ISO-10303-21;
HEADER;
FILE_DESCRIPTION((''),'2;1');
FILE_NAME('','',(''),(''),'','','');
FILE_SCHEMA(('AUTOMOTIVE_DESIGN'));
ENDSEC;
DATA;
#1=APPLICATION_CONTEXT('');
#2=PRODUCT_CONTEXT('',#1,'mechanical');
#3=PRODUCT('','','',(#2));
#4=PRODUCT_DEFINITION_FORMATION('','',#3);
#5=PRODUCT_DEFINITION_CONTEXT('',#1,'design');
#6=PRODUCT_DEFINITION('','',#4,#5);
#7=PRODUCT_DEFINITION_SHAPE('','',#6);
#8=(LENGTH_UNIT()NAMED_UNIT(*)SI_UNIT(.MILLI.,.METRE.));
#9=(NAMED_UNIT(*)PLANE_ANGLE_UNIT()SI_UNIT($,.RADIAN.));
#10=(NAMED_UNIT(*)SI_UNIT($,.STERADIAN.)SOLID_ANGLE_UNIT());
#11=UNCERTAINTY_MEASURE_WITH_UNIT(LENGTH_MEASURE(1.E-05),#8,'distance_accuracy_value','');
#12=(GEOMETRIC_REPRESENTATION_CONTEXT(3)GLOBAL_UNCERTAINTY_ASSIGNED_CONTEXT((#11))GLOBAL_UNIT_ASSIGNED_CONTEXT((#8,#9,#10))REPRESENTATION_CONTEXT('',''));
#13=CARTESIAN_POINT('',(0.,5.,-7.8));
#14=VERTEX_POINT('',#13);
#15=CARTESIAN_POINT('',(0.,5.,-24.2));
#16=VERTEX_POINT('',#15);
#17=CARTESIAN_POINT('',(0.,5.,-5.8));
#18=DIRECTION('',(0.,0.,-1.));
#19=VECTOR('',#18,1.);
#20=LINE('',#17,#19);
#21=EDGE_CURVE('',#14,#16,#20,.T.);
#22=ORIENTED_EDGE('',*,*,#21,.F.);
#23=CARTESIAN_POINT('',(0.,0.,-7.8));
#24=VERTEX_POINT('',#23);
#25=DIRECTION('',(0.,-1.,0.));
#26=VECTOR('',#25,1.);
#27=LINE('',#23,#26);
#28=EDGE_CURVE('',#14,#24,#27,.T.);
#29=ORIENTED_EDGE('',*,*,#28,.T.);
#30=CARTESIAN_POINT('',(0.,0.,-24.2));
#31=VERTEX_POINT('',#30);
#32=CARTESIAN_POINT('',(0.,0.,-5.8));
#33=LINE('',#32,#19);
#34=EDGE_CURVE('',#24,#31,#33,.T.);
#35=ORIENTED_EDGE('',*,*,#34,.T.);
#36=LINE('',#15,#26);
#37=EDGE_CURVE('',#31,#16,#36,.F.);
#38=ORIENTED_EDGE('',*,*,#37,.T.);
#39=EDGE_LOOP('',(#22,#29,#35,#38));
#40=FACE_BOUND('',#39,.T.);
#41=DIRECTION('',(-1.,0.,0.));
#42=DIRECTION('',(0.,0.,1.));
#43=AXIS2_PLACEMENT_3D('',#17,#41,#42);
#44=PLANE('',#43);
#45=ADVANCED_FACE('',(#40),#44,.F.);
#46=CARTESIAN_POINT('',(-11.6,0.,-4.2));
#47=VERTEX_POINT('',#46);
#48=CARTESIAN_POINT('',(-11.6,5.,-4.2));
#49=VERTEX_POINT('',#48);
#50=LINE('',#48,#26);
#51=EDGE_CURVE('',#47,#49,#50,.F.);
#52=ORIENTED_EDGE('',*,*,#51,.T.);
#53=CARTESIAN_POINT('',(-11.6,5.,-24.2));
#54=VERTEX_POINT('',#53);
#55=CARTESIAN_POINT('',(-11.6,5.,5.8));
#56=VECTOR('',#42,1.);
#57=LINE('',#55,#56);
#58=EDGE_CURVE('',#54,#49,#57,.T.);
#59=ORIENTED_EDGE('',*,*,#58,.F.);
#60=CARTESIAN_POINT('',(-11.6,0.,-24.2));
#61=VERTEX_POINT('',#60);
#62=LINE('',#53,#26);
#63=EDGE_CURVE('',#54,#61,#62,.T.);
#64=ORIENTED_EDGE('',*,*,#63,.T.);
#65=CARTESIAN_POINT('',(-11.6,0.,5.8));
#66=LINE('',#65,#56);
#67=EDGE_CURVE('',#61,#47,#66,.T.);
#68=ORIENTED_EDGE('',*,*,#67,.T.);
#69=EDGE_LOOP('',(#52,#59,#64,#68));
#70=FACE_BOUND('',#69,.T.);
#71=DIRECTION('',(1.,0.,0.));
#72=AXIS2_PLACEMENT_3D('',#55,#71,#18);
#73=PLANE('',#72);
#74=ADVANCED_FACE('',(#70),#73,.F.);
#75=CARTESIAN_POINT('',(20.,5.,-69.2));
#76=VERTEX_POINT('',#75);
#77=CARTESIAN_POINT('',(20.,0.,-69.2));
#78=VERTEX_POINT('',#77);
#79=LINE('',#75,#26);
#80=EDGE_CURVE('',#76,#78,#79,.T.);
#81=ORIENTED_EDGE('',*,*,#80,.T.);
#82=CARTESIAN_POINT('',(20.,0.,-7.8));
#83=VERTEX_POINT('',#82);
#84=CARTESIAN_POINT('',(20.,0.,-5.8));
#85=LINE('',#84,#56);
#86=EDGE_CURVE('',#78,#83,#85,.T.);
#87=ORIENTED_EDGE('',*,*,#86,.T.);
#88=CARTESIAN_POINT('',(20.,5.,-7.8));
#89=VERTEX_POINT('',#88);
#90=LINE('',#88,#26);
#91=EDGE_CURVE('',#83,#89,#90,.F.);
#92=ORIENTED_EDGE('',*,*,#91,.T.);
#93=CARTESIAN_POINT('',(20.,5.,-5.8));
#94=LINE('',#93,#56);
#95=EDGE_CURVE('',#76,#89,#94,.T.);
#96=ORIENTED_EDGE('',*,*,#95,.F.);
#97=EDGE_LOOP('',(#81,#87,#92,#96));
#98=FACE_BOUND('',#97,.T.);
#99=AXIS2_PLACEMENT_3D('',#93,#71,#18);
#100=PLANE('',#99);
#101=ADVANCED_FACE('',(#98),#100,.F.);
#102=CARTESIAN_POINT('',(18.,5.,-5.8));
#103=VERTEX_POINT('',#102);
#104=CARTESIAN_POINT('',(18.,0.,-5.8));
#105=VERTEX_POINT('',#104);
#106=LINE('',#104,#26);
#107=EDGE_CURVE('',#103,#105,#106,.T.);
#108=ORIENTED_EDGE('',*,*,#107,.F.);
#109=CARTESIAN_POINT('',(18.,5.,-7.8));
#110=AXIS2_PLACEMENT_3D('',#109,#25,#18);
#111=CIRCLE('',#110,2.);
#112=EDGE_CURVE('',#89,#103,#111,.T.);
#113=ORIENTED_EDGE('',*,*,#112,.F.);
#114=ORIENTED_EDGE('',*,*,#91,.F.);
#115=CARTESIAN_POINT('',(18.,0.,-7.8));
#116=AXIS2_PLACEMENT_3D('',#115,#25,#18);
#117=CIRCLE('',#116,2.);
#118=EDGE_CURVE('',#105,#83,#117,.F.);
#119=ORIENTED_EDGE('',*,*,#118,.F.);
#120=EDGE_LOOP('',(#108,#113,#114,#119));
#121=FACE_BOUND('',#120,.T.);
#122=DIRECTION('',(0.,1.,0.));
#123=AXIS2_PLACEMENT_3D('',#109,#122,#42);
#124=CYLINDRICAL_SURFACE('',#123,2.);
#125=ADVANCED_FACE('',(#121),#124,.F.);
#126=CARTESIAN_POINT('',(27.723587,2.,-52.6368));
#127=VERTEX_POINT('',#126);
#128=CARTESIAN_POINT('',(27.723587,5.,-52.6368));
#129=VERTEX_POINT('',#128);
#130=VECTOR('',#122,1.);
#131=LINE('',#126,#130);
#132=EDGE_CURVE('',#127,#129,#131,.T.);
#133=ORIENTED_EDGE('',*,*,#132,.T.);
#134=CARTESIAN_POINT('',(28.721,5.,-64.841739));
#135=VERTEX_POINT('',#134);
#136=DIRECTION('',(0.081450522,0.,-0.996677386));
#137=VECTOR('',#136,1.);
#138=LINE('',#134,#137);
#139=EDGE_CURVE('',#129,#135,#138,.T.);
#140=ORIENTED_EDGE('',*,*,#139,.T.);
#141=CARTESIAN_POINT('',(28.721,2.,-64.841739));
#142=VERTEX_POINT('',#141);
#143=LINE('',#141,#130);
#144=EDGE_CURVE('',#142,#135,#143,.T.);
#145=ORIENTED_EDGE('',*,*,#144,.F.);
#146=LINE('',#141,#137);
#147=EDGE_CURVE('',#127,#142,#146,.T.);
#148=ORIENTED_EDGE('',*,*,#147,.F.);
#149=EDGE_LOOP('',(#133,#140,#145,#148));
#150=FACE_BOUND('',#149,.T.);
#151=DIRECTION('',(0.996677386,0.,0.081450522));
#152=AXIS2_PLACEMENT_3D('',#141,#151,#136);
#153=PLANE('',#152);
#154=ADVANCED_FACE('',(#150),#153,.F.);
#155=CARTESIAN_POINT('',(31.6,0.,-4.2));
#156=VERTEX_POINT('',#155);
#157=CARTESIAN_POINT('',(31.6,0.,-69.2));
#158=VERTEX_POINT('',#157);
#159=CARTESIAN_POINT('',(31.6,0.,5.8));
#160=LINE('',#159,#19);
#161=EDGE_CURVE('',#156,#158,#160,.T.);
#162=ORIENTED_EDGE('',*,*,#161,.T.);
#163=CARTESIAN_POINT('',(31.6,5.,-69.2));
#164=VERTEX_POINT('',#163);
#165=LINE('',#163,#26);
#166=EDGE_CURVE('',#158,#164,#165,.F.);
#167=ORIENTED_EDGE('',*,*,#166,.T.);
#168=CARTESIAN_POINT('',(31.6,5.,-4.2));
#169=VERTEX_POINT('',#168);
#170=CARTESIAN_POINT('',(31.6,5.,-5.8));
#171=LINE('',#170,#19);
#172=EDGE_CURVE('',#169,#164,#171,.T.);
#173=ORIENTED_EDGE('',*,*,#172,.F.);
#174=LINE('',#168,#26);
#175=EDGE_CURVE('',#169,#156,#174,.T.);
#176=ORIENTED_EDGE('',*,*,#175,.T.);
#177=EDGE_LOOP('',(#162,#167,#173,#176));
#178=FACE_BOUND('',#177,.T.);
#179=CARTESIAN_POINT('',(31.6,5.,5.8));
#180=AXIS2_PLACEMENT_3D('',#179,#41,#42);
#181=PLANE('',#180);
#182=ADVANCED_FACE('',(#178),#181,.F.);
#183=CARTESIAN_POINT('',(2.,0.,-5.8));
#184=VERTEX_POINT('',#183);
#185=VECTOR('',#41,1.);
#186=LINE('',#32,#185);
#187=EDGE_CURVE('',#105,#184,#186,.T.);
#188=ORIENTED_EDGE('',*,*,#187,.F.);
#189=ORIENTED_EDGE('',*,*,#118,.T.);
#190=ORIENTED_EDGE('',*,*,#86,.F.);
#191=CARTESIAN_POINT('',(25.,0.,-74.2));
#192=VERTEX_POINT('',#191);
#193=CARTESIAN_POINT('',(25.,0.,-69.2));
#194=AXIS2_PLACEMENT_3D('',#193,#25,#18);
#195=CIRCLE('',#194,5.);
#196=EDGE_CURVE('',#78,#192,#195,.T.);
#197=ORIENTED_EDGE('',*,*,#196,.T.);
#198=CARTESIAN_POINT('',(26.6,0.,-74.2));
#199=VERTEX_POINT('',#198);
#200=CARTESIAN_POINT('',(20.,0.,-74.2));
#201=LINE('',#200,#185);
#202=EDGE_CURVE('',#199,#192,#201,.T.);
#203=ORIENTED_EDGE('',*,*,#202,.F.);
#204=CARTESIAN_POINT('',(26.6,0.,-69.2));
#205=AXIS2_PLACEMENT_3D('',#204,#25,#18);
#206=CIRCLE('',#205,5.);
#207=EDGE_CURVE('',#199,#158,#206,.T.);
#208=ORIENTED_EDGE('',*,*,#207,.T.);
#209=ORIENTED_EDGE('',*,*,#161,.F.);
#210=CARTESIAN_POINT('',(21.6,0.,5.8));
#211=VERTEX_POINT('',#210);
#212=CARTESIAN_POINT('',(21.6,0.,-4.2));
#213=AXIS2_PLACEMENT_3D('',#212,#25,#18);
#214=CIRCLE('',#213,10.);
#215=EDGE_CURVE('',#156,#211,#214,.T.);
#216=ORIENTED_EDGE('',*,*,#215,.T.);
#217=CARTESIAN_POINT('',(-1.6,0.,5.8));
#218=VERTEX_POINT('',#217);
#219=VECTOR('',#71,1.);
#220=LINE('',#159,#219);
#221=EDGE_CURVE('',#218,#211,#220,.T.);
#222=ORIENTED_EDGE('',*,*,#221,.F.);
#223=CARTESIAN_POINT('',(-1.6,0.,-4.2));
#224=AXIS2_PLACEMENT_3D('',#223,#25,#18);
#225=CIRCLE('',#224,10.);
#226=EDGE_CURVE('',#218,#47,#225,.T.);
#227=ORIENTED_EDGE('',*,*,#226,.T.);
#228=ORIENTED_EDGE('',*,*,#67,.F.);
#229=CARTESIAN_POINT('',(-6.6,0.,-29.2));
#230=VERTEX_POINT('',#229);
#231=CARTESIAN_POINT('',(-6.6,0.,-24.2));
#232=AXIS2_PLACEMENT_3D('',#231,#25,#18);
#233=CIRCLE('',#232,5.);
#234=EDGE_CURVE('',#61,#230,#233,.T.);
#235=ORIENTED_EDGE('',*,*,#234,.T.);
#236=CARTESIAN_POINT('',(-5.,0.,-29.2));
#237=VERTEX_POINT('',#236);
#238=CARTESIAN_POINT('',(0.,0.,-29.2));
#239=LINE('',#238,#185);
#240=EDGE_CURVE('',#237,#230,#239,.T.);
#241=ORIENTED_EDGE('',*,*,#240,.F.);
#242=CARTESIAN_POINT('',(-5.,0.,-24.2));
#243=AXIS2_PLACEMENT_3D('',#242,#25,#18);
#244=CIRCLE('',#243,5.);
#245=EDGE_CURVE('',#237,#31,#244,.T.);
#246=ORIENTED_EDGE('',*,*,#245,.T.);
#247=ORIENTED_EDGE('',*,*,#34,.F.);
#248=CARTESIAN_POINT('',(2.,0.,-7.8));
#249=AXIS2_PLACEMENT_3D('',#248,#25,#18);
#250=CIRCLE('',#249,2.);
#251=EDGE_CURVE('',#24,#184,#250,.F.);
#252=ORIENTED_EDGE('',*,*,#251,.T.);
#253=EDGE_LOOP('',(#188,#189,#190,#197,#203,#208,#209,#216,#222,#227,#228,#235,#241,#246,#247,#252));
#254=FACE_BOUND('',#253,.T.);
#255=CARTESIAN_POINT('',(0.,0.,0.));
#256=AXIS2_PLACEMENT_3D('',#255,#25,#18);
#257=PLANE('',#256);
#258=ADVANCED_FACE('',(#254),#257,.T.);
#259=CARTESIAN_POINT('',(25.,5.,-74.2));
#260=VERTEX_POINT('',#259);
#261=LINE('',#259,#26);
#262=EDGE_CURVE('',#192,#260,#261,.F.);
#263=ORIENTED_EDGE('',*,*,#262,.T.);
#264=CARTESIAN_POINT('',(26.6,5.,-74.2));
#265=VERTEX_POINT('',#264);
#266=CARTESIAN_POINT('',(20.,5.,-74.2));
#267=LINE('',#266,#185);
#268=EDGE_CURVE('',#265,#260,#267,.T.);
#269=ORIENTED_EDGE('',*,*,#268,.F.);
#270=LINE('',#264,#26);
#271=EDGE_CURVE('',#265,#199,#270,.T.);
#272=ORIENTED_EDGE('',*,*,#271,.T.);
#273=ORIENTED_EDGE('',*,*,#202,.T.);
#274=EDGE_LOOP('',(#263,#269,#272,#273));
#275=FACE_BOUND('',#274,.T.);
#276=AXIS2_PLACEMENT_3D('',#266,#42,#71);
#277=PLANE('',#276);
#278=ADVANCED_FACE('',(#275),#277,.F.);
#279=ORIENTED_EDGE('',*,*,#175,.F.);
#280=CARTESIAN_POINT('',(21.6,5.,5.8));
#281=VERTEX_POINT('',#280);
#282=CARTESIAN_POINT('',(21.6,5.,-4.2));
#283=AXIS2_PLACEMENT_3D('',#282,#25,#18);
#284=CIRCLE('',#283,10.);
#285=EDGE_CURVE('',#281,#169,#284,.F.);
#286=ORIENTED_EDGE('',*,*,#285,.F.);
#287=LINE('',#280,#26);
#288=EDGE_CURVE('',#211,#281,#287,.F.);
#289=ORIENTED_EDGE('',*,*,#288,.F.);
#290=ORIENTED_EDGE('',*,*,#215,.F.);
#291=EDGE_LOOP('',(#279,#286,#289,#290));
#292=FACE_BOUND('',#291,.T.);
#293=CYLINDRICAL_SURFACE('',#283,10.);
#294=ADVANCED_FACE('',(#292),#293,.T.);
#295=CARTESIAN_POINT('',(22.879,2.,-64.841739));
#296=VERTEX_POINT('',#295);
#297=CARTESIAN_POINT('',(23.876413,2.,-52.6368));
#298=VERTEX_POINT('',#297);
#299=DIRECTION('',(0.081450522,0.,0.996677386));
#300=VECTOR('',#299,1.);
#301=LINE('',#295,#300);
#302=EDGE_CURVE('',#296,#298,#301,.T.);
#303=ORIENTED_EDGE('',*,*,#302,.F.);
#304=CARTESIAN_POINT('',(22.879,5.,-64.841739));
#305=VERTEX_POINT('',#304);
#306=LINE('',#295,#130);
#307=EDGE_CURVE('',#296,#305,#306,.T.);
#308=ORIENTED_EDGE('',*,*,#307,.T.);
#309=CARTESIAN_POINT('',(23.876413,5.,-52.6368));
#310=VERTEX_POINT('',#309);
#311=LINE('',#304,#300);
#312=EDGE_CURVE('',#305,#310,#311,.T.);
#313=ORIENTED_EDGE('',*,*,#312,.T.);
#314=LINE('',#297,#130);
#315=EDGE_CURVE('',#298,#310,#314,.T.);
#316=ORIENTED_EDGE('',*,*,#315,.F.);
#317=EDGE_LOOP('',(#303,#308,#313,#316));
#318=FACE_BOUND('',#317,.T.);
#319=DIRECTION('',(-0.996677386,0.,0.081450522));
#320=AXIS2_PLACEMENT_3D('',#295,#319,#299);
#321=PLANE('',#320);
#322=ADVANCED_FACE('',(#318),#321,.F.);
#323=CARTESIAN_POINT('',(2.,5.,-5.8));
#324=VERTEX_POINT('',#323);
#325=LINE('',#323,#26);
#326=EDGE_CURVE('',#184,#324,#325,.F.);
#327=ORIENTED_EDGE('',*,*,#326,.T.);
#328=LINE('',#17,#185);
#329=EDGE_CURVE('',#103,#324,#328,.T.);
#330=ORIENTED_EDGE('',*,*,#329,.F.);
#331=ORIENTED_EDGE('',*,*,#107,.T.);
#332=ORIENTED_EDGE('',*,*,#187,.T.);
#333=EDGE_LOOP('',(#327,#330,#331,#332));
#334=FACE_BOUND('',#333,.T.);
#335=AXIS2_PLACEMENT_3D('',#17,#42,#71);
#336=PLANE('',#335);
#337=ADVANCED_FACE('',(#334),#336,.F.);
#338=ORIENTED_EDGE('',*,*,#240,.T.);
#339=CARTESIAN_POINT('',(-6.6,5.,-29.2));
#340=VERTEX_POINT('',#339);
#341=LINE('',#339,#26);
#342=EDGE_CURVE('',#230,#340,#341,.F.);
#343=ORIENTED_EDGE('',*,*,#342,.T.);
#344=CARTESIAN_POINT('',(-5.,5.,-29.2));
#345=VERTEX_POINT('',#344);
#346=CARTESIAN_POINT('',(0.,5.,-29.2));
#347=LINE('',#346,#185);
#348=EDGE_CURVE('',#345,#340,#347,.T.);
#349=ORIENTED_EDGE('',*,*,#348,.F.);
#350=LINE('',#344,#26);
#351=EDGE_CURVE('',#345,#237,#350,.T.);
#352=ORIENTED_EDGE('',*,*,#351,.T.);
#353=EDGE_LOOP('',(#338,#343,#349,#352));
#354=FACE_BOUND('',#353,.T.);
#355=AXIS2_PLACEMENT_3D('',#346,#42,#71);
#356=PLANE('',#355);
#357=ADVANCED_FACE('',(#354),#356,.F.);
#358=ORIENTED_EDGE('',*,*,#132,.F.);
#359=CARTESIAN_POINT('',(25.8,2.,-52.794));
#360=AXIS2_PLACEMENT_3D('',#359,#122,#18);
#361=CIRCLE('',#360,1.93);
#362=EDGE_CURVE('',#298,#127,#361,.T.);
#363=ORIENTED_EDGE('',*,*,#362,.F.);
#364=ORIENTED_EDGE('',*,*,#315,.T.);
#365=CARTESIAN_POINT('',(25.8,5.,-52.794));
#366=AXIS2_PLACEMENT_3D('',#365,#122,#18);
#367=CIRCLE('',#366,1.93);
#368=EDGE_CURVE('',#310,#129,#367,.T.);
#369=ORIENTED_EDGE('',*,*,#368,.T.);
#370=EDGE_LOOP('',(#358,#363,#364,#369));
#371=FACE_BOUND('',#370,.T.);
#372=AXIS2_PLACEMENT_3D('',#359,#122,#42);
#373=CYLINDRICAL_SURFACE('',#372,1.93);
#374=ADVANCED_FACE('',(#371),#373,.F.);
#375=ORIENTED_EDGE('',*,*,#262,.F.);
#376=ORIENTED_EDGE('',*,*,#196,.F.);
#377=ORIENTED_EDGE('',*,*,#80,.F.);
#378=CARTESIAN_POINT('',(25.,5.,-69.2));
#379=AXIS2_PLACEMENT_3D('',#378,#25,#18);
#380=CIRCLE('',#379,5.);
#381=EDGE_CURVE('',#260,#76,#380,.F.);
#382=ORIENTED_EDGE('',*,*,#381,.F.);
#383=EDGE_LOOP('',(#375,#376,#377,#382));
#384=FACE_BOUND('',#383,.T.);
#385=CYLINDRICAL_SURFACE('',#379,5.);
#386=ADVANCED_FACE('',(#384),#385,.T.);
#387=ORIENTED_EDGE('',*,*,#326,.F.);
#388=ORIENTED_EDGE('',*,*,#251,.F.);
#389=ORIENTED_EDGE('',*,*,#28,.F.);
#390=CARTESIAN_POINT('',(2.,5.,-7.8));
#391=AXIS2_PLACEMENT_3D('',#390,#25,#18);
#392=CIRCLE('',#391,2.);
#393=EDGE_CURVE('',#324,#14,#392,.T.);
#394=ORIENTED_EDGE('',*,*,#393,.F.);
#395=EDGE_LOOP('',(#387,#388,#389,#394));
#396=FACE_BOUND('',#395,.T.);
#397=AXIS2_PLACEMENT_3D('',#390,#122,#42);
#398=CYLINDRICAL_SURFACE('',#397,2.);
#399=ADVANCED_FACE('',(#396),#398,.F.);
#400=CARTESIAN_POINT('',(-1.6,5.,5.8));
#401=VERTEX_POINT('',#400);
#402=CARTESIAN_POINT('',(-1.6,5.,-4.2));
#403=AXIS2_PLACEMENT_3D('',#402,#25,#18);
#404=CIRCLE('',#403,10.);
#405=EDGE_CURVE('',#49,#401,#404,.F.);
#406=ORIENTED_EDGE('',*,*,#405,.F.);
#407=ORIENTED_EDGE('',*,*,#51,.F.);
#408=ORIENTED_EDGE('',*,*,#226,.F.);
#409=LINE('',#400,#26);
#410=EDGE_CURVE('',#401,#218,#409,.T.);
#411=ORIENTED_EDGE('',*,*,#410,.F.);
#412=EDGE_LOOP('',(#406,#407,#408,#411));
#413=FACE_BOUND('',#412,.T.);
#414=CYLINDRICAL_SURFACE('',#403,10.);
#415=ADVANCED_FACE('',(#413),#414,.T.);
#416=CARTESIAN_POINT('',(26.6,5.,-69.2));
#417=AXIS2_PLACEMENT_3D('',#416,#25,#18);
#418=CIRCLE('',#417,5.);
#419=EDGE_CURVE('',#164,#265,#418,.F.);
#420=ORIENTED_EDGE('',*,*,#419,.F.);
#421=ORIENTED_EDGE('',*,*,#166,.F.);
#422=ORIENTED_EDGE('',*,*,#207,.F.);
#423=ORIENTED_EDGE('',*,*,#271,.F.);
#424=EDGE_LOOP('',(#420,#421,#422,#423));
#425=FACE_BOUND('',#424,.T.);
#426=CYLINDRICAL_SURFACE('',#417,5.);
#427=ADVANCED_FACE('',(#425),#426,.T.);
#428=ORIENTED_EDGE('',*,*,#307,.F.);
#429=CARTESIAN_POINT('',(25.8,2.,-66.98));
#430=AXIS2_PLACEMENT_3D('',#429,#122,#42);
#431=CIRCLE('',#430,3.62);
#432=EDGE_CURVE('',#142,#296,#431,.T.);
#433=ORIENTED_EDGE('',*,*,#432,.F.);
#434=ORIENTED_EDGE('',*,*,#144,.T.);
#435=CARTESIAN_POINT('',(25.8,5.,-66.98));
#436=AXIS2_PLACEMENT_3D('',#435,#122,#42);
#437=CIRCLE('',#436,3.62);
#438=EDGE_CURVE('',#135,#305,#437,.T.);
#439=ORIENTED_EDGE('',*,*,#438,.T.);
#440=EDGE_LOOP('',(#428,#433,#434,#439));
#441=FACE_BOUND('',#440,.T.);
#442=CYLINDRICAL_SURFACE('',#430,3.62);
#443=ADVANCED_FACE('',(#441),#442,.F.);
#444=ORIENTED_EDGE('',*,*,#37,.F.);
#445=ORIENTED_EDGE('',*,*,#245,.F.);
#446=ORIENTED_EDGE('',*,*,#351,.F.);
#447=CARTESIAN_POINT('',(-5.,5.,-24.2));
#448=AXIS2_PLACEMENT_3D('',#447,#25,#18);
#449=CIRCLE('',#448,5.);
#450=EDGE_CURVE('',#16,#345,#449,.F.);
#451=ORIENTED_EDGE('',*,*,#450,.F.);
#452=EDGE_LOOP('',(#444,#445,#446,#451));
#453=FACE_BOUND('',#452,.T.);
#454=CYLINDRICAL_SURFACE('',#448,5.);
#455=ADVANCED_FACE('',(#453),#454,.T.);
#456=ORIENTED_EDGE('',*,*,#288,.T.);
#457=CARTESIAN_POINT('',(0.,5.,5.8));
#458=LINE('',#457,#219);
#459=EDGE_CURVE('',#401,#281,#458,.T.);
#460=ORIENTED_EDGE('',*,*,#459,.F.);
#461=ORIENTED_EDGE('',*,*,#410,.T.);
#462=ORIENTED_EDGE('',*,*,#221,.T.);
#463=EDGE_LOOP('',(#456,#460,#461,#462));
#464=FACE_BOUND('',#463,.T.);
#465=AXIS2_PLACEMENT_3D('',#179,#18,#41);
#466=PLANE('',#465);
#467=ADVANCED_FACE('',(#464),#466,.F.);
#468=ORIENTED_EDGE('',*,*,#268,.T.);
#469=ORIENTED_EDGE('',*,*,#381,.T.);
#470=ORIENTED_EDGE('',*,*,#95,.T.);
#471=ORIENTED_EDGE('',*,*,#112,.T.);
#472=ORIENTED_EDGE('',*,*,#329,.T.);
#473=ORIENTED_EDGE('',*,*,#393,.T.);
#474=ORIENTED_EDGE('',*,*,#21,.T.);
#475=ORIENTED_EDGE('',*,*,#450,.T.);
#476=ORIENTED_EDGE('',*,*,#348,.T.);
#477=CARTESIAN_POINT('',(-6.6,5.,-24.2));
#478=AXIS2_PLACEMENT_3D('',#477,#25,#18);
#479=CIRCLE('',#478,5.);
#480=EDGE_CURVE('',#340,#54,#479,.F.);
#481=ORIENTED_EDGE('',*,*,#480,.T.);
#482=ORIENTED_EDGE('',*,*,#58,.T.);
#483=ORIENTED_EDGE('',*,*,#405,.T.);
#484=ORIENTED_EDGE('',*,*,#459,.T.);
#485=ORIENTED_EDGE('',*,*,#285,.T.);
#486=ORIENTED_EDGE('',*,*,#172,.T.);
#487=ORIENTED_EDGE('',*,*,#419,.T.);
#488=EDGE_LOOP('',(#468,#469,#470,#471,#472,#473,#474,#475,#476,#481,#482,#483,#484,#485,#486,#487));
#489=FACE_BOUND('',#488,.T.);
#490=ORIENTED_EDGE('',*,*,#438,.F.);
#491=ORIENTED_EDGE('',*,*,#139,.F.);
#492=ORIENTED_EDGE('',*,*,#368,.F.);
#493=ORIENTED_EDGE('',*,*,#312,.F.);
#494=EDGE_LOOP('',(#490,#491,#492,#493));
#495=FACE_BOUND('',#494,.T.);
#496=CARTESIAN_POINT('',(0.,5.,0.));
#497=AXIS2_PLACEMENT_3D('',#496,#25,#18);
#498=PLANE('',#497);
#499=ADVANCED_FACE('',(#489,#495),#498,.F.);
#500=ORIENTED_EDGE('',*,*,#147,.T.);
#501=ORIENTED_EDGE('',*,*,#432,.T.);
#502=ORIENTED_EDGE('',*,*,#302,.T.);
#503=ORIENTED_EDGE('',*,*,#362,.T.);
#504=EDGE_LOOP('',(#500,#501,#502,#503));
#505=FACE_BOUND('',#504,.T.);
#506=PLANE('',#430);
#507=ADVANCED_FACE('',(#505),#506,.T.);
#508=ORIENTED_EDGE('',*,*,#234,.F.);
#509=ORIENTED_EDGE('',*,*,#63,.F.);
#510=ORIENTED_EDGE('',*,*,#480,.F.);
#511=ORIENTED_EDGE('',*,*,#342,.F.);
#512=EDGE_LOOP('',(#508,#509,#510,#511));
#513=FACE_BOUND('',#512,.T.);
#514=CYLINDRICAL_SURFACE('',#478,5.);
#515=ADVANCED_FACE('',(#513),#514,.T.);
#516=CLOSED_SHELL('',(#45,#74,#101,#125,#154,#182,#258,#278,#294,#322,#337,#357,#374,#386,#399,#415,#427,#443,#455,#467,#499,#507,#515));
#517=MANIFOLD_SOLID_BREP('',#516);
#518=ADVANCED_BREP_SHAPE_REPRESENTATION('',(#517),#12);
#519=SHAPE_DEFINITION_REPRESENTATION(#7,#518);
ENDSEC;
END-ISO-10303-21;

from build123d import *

# Parameters (mm, degrees)
BOSS_EXTRUDE1_DEPTH = 5
CUT_EXTRUDE3_DEPTH  = 3
FILLET1_R           = 5
FILLET2_R           = 10
FILLET3_R           = 5
FILLET4_R           = 2


with BuildPart() as part:
    # Sketch1 → Boss-Extrude1 (new body)
    with BuildSketch(Plane(origin=(0, 0, 0), x_dir=(1, 0, 0), z_dir=(0, 1, 0))):
        Polygon((0, 5.8), (20, 5.8), (20, 74.2), (31.6, 74.2), (31.6, 5.8), (31.6, -5.8), (20, -5.8), (0, -5.8), (-11.6, -5.8), (-11.6, 29.2), (0, 29.2), align=None)
    extrude(amount=BOSS_EXTRUDE1_DEPTH)

    # Sketch2 → Cut-Extrude3 (cut)
    with BuildSketch(Plane(origin=(0, 5, 0), x_dir=(1, 0, 0), z_dir=(0, 1, 0))):
        with BuildLine():
            Line((28.721, 64.841739258), (27.723587356, 52.636800493))
            ThreePointArc((27.723587356, 52.636800493), (25.8, 50.864), (23.876412644, 52.636800493))
            Line((23.876412644, 52.636800493), (22.879, 64.841739258))
            ThreePointArc((22.879, 64.841739258), (25.8, 70.6), (28.721, 64.841739258))
        make_face()
    extrude(amount=-CUT_EXTRUDE3_DEPTH, mode=Mode.SUBTRACT)

    # Fillet1
    fillet1_edges = [part.edges().sort_by_distance(p)[0] for p in [
        (20, 2.5, -74.2),
        (31.6, 2.5, -74.2),
    ]]
    fillet(fillet1_edges, radius=FILLET1_R)

    # Fillet2
    fillet2_edges = [part.edges().sort_by_distance(p)[0] for p in [
        (31.6, 2.5, 5.8),
        (-11.6, 2.5, 5.8),
    ]]
    fillet(fillet2_edges, radius=FILLET2_R)

    # Fillet3
    fillet3_edges = [part.edges().sort_by_distance(p)[0] for p in [
        (-11.6, 2.5, -29.2),
        (0, 2.5, -29.2),
    ]]
    fillet(fillet3_edges, radius=FILLET3_R)

    # Fillet4
    fillet4_edges = [part.edges().sort_by_distance(p)[0] for p in [
        (0, 2.5, -5.8),
        (20, 2.5, -5.8),
    ]]
    fillet(fillet4_edges, radius=FILLET4_R)


solid = part.part
